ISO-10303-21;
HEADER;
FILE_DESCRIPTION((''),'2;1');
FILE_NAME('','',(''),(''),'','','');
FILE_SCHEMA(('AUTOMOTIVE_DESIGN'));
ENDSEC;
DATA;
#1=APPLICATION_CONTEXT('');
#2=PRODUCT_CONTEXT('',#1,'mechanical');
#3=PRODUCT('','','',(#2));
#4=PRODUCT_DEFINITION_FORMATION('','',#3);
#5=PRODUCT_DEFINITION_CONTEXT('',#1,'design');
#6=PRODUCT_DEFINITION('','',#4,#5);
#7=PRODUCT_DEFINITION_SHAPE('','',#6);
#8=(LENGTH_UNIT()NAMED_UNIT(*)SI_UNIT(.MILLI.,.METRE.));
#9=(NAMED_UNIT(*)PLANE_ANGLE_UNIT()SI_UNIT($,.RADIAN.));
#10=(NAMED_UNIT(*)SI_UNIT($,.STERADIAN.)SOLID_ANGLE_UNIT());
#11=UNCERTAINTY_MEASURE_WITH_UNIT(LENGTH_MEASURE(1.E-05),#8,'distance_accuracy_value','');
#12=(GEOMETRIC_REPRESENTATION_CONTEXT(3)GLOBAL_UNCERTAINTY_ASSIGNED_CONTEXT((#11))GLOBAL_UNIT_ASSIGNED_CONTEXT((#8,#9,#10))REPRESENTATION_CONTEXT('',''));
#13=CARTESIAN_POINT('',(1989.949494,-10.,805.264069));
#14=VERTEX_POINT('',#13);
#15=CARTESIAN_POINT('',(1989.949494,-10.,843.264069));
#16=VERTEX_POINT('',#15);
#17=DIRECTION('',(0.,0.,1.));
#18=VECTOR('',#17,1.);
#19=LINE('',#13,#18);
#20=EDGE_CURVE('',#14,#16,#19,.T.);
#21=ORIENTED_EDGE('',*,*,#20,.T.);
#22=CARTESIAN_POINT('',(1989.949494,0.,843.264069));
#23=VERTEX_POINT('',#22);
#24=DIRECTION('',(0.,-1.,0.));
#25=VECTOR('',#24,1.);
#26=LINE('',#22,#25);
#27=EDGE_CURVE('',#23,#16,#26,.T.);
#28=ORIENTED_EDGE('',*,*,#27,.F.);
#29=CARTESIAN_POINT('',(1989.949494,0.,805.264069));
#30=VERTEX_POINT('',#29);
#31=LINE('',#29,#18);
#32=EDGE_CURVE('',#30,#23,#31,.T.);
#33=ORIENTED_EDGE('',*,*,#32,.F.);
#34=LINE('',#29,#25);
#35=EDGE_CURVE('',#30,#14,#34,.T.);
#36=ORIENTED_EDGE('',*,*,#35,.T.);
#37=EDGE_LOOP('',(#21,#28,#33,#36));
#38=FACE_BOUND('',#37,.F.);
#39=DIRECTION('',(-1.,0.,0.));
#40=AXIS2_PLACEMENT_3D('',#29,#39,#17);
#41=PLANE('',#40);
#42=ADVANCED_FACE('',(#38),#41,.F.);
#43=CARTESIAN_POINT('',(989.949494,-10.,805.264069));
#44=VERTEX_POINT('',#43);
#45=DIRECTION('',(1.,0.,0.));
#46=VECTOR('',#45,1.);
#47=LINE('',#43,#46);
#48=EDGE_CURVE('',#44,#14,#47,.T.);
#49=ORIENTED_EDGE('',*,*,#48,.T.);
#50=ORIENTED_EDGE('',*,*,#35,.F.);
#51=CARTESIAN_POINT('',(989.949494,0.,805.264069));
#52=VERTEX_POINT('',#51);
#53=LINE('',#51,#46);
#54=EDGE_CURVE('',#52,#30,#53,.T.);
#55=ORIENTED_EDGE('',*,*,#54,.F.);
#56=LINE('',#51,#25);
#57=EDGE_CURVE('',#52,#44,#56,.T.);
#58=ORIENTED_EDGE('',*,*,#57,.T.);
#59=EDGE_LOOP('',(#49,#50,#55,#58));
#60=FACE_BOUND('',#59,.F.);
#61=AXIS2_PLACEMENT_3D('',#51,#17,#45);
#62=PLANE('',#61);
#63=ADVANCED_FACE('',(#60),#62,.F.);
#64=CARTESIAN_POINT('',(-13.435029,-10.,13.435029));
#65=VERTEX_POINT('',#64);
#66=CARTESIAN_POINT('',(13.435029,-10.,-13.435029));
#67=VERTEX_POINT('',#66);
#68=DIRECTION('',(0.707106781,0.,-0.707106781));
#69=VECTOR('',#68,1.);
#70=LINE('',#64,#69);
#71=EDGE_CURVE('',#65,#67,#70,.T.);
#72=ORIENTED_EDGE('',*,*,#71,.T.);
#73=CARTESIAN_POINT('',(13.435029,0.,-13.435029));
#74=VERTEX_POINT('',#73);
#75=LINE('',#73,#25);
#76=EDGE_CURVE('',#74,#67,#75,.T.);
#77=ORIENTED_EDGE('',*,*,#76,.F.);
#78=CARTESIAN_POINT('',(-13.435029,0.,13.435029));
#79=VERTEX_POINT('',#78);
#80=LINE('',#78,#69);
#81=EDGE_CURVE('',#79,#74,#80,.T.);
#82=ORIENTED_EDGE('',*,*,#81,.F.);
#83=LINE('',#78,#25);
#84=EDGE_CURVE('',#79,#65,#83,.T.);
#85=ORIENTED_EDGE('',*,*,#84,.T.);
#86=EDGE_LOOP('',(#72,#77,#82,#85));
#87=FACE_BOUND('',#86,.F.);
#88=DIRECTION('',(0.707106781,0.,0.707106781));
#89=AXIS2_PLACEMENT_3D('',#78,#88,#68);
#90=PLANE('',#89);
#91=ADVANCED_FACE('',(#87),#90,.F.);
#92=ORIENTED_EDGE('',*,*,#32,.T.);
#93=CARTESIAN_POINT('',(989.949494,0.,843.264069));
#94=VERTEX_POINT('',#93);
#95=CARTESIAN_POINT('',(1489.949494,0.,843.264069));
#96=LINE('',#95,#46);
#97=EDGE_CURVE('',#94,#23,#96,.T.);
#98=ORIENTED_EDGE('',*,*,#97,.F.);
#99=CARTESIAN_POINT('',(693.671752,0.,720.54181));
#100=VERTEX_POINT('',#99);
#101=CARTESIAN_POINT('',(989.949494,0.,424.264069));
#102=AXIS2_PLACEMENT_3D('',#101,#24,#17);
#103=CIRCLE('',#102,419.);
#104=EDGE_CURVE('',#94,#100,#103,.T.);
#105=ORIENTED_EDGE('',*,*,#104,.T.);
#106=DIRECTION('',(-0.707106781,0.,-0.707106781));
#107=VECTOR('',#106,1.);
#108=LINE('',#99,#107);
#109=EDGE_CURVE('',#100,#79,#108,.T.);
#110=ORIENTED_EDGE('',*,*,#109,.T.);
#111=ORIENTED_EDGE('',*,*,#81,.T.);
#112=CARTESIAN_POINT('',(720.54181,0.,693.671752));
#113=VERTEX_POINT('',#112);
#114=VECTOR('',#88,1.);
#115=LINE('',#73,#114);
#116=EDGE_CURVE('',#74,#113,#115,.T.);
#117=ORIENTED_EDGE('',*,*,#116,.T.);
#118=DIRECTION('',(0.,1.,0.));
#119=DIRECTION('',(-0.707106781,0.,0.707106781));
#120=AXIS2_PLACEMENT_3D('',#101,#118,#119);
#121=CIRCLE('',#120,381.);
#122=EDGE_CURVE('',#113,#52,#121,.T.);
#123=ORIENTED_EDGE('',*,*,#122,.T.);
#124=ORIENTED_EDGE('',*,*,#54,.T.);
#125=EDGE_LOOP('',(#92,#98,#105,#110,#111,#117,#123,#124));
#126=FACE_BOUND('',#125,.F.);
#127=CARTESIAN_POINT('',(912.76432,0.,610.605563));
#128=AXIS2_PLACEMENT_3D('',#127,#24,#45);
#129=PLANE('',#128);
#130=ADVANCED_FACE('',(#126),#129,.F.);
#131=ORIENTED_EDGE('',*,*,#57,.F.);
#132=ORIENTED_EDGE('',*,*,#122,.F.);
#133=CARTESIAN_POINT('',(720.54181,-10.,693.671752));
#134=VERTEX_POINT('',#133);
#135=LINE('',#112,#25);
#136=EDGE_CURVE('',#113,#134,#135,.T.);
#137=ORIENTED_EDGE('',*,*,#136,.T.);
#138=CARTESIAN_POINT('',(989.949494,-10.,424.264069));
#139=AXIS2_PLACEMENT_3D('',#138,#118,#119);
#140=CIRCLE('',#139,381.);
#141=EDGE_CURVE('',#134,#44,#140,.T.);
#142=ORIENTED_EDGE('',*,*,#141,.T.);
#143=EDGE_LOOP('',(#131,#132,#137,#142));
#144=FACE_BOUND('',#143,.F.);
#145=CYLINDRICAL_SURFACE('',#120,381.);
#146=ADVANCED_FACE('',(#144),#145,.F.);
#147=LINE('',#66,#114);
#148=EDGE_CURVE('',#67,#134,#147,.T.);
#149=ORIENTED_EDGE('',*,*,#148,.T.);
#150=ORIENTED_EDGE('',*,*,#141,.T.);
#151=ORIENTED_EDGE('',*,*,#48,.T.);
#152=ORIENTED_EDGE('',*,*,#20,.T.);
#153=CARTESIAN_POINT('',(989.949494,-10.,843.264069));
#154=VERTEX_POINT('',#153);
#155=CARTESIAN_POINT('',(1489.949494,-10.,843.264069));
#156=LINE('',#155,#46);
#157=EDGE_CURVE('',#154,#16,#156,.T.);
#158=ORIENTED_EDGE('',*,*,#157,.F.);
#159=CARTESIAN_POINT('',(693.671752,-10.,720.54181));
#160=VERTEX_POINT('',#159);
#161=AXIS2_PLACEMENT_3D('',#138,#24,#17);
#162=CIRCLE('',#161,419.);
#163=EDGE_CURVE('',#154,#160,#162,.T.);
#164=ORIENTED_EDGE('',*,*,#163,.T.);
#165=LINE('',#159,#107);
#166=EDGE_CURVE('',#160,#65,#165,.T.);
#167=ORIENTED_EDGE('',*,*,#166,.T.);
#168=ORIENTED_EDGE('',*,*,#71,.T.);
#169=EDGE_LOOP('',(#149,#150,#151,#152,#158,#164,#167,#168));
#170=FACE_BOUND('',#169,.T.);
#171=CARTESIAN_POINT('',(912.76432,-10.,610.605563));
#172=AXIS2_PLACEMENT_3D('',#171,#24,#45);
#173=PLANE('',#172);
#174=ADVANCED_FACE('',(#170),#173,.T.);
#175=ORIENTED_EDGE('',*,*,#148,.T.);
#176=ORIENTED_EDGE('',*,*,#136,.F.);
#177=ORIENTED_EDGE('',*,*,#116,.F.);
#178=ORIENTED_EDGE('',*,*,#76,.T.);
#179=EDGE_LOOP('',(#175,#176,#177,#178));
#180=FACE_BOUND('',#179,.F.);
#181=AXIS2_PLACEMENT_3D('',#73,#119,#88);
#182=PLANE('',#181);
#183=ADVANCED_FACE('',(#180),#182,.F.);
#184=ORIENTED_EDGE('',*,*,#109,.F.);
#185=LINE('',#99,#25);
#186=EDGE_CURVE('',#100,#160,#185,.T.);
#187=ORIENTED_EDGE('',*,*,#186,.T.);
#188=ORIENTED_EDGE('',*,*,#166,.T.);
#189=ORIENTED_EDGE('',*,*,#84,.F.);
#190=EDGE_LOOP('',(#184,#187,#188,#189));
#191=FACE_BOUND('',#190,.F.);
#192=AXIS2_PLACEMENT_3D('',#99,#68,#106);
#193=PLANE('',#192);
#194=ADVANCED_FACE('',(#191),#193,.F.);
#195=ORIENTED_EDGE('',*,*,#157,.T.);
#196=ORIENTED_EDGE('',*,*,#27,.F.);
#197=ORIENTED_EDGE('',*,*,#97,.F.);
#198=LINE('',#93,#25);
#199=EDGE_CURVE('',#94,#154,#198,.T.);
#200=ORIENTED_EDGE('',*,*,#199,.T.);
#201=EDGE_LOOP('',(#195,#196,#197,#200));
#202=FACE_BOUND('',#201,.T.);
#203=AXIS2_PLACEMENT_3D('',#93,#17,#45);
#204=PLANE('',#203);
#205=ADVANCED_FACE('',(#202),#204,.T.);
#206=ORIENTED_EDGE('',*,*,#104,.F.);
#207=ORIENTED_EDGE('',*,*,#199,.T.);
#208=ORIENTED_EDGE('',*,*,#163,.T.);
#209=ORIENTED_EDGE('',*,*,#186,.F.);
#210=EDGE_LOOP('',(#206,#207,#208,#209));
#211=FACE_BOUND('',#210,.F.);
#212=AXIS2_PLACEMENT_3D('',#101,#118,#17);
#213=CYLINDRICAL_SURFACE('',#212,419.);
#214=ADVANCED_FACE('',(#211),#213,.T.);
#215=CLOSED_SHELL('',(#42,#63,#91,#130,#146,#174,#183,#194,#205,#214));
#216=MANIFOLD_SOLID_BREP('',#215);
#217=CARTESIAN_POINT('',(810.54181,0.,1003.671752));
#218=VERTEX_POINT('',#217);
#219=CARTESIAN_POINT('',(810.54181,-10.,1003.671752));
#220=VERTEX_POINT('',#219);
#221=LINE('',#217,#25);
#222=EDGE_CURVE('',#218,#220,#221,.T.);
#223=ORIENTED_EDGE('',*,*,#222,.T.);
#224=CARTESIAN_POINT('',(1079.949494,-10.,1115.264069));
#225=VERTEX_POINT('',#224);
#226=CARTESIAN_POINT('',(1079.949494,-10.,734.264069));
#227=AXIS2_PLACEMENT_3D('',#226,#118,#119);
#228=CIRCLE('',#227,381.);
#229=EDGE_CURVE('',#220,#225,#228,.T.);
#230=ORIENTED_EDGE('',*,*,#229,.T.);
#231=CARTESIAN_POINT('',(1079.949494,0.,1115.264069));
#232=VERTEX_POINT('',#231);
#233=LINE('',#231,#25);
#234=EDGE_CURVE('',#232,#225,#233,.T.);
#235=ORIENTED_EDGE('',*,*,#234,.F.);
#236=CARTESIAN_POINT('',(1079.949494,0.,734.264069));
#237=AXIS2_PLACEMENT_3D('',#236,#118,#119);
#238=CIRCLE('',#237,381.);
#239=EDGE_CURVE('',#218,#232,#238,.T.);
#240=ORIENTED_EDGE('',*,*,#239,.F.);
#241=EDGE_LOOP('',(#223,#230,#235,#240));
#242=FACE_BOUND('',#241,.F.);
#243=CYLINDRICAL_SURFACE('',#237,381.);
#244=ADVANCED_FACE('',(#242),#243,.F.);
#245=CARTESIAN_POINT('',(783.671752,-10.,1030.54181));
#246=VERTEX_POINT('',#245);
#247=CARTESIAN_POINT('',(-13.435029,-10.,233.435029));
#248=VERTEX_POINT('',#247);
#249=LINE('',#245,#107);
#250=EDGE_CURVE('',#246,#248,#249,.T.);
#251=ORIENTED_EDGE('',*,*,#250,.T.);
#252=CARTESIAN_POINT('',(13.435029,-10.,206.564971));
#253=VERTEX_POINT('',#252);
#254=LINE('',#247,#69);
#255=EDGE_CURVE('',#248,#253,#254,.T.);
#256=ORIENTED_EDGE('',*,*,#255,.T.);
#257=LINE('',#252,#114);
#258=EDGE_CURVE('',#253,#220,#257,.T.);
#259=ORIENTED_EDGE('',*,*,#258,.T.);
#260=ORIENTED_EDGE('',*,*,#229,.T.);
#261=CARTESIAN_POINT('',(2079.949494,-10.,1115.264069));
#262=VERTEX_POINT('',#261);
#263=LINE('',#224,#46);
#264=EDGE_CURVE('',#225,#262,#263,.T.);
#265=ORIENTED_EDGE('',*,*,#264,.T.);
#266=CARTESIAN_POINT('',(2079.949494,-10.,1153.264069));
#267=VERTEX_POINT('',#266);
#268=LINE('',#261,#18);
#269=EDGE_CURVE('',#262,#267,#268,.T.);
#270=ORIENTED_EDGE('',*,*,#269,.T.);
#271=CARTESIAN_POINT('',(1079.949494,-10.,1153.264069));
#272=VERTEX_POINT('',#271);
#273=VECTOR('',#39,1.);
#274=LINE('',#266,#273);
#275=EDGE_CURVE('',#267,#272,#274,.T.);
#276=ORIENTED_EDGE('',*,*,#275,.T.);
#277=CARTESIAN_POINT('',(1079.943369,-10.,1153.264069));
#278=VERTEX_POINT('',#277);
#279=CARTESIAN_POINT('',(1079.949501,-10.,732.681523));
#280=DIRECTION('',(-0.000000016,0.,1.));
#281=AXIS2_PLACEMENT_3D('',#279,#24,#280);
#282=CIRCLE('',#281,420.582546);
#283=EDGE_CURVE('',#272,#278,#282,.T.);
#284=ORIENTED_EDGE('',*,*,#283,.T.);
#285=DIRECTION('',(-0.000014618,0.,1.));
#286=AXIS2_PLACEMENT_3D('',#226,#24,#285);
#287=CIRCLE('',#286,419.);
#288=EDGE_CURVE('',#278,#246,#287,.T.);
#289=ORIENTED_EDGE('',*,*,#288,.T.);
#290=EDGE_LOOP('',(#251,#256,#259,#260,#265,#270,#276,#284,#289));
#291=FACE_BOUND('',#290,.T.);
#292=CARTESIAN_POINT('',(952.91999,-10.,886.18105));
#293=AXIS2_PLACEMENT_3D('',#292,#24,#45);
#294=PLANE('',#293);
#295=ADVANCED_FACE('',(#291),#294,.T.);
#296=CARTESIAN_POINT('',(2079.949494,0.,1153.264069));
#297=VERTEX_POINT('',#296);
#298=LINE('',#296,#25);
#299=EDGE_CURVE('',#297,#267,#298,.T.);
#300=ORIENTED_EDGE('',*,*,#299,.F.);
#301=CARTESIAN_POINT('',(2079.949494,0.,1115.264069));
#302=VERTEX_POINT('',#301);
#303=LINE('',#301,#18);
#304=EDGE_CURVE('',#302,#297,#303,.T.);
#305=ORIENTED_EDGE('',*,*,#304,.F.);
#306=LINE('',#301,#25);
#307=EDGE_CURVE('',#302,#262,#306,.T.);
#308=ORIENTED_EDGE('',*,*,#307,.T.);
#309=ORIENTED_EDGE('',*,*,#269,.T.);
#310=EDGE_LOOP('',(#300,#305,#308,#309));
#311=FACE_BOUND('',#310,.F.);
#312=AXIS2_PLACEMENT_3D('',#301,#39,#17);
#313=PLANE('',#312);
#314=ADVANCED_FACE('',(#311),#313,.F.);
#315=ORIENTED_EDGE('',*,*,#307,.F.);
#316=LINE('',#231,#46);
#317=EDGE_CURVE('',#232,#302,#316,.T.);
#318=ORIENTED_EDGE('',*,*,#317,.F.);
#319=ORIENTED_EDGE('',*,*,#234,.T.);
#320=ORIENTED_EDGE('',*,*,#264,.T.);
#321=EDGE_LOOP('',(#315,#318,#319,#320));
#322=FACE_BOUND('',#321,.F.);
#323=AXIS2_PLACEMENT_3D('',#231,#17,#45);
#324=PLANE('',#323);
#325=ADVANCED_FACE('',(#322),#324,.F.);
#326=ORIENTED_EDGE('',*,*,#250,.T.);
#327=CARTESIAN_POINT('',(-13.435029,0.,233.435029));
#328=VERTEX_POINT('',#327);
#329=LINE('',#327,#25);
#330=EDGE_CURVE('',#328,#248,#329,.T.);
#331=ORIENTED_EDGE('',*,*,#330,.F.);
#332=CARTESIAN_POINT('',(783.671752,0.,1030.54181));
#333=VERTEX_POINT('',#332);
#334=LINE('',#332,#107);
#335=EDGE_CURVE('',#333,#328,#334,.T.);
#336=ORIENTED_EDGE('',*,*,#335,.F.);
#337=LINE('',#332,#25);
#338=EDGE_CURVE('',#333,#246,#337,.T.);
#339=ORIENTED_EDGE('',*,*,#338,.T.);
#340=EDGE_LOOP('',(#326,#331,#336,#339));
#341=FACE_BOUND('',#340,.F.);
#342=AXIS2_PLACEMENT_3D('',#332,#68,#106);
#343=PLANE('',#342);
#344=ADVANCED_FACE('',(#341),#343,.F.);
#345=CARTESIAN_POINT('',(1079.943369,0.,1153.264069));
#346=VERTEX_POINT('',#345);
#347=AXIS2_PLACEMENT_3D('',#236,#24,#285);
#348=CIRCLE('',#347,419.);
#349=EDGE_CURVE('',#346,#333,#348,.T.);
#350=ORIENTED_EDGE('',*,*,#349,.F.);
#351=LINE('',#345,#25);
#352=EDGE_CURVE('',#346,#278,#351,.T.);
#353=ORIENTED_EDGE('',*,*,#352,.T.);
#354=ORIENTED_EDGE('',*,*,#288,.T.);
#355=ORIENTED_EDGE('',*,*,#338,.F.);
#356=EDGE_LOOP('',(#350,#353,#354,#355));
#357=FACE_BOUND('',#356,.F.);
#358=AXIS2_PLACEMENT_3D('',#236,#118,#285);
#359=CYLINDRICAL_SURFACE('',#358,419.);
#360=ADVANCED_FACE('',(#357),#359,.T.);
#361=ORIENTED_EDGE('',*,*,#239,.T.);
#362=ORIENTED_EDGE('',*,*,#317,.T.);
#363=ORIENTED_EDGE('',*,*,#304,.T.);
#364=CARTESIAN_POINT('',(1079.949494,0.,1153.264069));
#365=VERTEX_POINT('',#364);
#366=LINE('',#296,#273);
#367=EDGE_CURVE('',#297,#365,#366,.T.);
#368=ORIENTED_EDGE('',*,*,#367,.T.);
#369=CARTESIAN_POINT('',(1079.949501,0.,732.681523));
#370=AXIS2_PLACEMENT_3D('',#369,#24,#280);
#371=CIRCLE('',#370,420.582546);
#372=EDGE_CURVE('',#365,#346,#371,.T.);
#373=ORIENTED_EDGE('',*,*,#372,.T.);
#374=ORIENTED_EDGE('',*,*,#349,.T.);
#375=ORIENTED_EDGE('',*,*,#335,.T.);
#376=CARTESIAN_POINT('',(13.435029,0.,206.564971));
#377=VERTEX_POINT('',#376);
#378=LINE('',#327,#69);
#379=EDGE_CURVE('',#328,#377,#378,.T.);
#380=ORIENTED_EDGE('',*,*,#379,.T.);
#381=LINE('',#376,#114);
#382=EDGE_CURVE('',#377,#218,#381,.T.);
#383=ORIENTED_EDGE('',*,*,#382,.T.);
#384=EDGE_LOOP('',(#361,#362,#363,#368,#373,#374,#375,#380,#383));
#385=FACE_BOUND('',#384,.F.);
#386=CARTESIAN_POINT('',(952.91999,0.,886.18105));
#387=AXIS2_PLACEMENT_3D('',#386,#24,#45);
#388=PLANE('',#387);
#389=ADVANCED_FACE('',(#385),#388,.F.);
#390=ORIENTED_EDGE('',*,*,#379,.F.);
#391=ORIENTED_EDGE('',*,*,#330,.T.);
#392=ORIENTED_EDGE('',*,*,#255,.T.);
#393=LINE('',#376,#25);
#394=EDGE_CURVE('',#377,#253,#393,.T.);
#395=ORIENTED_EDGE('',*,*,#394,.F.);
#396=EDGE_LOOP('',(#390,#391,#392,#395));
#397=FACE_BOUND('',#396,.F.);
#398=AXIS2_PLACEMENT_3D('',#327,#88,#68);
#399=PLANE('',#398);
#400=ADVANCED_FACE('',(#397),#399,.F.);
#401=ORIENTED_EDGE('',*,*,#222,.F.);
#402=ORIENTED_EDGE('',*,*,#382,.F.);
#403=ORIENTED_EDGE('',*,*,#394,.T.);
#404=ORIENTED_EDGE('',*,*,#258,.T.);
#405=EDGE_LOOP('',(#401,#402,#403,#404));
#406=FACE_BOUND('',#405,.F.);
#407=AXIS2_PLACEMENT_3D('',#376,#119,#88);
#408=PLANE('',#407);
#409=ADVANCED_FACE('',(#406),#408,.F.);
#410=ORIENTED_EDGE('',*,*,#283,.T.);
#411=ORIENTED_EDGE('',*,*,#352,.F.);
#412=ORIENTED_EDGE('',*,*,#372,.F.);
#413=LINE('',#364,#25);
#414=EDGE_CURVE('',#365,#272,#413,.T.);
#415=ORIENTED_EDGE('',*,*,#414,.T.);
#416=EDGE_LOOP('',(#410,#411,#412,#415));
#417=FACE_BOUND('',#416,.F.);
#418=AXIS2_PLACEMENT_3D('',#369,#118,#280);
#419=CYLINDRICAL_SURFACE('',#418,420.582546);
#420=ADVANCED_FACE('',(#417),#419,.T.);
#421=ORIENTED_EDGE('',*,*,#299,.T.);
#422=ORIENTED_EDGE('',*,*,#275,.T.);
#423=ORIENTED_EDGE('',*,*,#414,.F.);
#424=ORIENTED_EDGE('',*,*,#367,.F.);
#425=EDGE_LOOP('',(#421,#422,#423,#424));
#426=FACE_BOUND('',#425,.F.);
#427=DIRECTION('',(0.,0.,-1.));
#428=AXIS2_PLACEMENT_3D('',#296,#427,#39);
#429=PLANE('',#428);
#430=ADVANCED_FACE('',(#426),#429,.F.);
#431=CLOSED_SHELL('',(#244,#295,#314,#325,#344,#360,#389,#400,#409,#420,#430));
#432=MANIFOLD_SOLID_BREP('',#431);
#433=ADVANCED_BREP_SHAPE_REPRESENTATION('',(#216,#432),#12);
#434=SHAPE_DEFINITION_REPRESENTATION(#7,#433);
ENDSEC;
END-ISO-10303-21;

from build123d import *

# Parameters (mm, degrees)
F1_DEPTH = 10
F0_W     = 1000
F0_H     = 3.5


with BuildPart() as f1:
    # F0 (on Front) → F1 (new body)
    with BuildSketch(Plane.XZ):
        with BuildLine():
            Line((786.1466260782, 1028.0669362949), (696.1466260782, 938.0669362949))
            Line((696.1466260782, 938.0669362949), (-10.9601551084, 230.9601551084))
            Line((-10.9601551084, 230.9601551084), (0, 220))
            Line((0, 220), (13.4350288425, 206.5649711575))
            Line((13.4350288425, 206.5649711575), (810.5418100291, 1003.671752344))
            ThreePointArc((810.5418100291, 1003.671752344), (934.1471059301, 1086.2621705987), (1079.9494936612, 1115.2640687119))
            Line((1079.9494936612, 1115.2640687119), (2079.9494936612, 1115.2640687119))
            Line((2079.9494936612, 1115.2640687119), (2079.9494936612, 1134.2640687119))
            Line((2079.9494936612, 1134.2640687119), (2079.9494936612, 1149.7640686668))
            Line((2079.9494936612, 1149.7640686668), (1079.9433686799, 1149.7640686668))
            ThreePointArc((1079.9433686799, 1149.7640686668), (920.9416981454, 1118.1348424955), (786.1466260782, 1028.0669362949))
        make_face()
        Polygon((-10.9601551084, 230.9601551084), (696.1466260782, 938.0669362949), (693.671752344, 940.5418100291), (-13.4350288425, 233.4350288425), align=None)
        with BuildLine():
            Line((783.671752344, 1030.5418100291), (786.1466260782, 1028.0669362949))
            ThreePointArc((786.1466260782, 1028.0669362949), (920.9416981454, 1118.1348424955), (1079.9433686799, 1149.7640686668))
            Line((1079.9433686799, 1149.7640686668), (2079.9494936612, 1149.7640686668))
            Line((2079.9494936612, 1149.7640686668), (2079.9494936612, 1153.2640687119))
            Line((2079.9494936612, 1153.2640687119), (1079.9494936612, 1153.2640687119))
            ThreePointArc((1079.9494936612, 1153.2640687119), (1079.9464311705, 1153.2640687007), (1079.9433686799, 1153.2640686672))
            ThreePointArc((1079.9433686799, 1153.2640686672), (919.6023061321, 1121.3684208594), (783.671752344, 1030.5418100291))
        make_face()
        Polygon((693.671752344, 940.5418100291), (696.1466260782, 938.0669362949), (786.1466260782, 1028.0669362949), (783.671752344, 1030.5418100291), align=None)
    extrude(amount=F1_DEPTH)


with BuildPart() as f1b:
    # F0 (on Front) → F1, piece 2 (new body)
    with BuildSketch(Plane.XZ):
        with BuildLine():
            Line((-10.9601551084, 10.9601551084), (0, 0))
            Line((0, 0), (13.4350288425, -13.4350288425))
            Line((13.4350288425, -13.4350288425), (720.5418100291, 693.671752344))
            ThreePointArc((720.5418100291, 693.671752344), (844.1471059301, 776.2621705987), (989.9494936612, 805.2640687119))
            Line((989.9494936612, 805.2640687119), (1989.9494936612, 805.2640687119))
            Line((1989.9494936612, 805.2640687119), (1989.9494936612, 824.2640687119))
            Line((1989.9494936612, 824.2640687119), (1989.9494936612, 839.7640687119))
            Line((1989.9494936612, 839.7640687119), (989.9494936612, 839.7640687119))
            ThreePointArc((989.9494936612, 839.7640687119), (830.9445275135, 808.1360144704), (696.1466260782, 718.0669362949))
            Line((696.1466260782, 718.0669362949), (-10.9601551084, 10.9601551084))
        make_face()
        Polygon((-13.4350288425, 13.4350288425), (-10.9601551084, 10.9601551084), (696.1466260782, 718.0669362949), (693.671752344, 720.5418100291), align=None)
        with Locations((1489.9494936612, 841.5140687119)):
            Rectangle(F0_W, F0_H)
        with BuildLine():
            Line((693.671752344, 720.5418100291), (696.1466260782, 718.0669362949))
            ThreePointArc((696.1466260782, 718.0669362949), (830.9445275135, 808.1360144704), (989.9494936612, 839.7640687119))
            Line((989.9494936612, 839.7640687119), (989.9494936612, 843.2640687119))
            ThreePointArc((989.9494936612, 843.2640687119), (829.6051355002, 811.3695928342), (693.671752344, 720.5418100291))
        make_face()
    extrude(amount=F1_DEPTH)


solid = Compound([f1.part, f1b.part])
